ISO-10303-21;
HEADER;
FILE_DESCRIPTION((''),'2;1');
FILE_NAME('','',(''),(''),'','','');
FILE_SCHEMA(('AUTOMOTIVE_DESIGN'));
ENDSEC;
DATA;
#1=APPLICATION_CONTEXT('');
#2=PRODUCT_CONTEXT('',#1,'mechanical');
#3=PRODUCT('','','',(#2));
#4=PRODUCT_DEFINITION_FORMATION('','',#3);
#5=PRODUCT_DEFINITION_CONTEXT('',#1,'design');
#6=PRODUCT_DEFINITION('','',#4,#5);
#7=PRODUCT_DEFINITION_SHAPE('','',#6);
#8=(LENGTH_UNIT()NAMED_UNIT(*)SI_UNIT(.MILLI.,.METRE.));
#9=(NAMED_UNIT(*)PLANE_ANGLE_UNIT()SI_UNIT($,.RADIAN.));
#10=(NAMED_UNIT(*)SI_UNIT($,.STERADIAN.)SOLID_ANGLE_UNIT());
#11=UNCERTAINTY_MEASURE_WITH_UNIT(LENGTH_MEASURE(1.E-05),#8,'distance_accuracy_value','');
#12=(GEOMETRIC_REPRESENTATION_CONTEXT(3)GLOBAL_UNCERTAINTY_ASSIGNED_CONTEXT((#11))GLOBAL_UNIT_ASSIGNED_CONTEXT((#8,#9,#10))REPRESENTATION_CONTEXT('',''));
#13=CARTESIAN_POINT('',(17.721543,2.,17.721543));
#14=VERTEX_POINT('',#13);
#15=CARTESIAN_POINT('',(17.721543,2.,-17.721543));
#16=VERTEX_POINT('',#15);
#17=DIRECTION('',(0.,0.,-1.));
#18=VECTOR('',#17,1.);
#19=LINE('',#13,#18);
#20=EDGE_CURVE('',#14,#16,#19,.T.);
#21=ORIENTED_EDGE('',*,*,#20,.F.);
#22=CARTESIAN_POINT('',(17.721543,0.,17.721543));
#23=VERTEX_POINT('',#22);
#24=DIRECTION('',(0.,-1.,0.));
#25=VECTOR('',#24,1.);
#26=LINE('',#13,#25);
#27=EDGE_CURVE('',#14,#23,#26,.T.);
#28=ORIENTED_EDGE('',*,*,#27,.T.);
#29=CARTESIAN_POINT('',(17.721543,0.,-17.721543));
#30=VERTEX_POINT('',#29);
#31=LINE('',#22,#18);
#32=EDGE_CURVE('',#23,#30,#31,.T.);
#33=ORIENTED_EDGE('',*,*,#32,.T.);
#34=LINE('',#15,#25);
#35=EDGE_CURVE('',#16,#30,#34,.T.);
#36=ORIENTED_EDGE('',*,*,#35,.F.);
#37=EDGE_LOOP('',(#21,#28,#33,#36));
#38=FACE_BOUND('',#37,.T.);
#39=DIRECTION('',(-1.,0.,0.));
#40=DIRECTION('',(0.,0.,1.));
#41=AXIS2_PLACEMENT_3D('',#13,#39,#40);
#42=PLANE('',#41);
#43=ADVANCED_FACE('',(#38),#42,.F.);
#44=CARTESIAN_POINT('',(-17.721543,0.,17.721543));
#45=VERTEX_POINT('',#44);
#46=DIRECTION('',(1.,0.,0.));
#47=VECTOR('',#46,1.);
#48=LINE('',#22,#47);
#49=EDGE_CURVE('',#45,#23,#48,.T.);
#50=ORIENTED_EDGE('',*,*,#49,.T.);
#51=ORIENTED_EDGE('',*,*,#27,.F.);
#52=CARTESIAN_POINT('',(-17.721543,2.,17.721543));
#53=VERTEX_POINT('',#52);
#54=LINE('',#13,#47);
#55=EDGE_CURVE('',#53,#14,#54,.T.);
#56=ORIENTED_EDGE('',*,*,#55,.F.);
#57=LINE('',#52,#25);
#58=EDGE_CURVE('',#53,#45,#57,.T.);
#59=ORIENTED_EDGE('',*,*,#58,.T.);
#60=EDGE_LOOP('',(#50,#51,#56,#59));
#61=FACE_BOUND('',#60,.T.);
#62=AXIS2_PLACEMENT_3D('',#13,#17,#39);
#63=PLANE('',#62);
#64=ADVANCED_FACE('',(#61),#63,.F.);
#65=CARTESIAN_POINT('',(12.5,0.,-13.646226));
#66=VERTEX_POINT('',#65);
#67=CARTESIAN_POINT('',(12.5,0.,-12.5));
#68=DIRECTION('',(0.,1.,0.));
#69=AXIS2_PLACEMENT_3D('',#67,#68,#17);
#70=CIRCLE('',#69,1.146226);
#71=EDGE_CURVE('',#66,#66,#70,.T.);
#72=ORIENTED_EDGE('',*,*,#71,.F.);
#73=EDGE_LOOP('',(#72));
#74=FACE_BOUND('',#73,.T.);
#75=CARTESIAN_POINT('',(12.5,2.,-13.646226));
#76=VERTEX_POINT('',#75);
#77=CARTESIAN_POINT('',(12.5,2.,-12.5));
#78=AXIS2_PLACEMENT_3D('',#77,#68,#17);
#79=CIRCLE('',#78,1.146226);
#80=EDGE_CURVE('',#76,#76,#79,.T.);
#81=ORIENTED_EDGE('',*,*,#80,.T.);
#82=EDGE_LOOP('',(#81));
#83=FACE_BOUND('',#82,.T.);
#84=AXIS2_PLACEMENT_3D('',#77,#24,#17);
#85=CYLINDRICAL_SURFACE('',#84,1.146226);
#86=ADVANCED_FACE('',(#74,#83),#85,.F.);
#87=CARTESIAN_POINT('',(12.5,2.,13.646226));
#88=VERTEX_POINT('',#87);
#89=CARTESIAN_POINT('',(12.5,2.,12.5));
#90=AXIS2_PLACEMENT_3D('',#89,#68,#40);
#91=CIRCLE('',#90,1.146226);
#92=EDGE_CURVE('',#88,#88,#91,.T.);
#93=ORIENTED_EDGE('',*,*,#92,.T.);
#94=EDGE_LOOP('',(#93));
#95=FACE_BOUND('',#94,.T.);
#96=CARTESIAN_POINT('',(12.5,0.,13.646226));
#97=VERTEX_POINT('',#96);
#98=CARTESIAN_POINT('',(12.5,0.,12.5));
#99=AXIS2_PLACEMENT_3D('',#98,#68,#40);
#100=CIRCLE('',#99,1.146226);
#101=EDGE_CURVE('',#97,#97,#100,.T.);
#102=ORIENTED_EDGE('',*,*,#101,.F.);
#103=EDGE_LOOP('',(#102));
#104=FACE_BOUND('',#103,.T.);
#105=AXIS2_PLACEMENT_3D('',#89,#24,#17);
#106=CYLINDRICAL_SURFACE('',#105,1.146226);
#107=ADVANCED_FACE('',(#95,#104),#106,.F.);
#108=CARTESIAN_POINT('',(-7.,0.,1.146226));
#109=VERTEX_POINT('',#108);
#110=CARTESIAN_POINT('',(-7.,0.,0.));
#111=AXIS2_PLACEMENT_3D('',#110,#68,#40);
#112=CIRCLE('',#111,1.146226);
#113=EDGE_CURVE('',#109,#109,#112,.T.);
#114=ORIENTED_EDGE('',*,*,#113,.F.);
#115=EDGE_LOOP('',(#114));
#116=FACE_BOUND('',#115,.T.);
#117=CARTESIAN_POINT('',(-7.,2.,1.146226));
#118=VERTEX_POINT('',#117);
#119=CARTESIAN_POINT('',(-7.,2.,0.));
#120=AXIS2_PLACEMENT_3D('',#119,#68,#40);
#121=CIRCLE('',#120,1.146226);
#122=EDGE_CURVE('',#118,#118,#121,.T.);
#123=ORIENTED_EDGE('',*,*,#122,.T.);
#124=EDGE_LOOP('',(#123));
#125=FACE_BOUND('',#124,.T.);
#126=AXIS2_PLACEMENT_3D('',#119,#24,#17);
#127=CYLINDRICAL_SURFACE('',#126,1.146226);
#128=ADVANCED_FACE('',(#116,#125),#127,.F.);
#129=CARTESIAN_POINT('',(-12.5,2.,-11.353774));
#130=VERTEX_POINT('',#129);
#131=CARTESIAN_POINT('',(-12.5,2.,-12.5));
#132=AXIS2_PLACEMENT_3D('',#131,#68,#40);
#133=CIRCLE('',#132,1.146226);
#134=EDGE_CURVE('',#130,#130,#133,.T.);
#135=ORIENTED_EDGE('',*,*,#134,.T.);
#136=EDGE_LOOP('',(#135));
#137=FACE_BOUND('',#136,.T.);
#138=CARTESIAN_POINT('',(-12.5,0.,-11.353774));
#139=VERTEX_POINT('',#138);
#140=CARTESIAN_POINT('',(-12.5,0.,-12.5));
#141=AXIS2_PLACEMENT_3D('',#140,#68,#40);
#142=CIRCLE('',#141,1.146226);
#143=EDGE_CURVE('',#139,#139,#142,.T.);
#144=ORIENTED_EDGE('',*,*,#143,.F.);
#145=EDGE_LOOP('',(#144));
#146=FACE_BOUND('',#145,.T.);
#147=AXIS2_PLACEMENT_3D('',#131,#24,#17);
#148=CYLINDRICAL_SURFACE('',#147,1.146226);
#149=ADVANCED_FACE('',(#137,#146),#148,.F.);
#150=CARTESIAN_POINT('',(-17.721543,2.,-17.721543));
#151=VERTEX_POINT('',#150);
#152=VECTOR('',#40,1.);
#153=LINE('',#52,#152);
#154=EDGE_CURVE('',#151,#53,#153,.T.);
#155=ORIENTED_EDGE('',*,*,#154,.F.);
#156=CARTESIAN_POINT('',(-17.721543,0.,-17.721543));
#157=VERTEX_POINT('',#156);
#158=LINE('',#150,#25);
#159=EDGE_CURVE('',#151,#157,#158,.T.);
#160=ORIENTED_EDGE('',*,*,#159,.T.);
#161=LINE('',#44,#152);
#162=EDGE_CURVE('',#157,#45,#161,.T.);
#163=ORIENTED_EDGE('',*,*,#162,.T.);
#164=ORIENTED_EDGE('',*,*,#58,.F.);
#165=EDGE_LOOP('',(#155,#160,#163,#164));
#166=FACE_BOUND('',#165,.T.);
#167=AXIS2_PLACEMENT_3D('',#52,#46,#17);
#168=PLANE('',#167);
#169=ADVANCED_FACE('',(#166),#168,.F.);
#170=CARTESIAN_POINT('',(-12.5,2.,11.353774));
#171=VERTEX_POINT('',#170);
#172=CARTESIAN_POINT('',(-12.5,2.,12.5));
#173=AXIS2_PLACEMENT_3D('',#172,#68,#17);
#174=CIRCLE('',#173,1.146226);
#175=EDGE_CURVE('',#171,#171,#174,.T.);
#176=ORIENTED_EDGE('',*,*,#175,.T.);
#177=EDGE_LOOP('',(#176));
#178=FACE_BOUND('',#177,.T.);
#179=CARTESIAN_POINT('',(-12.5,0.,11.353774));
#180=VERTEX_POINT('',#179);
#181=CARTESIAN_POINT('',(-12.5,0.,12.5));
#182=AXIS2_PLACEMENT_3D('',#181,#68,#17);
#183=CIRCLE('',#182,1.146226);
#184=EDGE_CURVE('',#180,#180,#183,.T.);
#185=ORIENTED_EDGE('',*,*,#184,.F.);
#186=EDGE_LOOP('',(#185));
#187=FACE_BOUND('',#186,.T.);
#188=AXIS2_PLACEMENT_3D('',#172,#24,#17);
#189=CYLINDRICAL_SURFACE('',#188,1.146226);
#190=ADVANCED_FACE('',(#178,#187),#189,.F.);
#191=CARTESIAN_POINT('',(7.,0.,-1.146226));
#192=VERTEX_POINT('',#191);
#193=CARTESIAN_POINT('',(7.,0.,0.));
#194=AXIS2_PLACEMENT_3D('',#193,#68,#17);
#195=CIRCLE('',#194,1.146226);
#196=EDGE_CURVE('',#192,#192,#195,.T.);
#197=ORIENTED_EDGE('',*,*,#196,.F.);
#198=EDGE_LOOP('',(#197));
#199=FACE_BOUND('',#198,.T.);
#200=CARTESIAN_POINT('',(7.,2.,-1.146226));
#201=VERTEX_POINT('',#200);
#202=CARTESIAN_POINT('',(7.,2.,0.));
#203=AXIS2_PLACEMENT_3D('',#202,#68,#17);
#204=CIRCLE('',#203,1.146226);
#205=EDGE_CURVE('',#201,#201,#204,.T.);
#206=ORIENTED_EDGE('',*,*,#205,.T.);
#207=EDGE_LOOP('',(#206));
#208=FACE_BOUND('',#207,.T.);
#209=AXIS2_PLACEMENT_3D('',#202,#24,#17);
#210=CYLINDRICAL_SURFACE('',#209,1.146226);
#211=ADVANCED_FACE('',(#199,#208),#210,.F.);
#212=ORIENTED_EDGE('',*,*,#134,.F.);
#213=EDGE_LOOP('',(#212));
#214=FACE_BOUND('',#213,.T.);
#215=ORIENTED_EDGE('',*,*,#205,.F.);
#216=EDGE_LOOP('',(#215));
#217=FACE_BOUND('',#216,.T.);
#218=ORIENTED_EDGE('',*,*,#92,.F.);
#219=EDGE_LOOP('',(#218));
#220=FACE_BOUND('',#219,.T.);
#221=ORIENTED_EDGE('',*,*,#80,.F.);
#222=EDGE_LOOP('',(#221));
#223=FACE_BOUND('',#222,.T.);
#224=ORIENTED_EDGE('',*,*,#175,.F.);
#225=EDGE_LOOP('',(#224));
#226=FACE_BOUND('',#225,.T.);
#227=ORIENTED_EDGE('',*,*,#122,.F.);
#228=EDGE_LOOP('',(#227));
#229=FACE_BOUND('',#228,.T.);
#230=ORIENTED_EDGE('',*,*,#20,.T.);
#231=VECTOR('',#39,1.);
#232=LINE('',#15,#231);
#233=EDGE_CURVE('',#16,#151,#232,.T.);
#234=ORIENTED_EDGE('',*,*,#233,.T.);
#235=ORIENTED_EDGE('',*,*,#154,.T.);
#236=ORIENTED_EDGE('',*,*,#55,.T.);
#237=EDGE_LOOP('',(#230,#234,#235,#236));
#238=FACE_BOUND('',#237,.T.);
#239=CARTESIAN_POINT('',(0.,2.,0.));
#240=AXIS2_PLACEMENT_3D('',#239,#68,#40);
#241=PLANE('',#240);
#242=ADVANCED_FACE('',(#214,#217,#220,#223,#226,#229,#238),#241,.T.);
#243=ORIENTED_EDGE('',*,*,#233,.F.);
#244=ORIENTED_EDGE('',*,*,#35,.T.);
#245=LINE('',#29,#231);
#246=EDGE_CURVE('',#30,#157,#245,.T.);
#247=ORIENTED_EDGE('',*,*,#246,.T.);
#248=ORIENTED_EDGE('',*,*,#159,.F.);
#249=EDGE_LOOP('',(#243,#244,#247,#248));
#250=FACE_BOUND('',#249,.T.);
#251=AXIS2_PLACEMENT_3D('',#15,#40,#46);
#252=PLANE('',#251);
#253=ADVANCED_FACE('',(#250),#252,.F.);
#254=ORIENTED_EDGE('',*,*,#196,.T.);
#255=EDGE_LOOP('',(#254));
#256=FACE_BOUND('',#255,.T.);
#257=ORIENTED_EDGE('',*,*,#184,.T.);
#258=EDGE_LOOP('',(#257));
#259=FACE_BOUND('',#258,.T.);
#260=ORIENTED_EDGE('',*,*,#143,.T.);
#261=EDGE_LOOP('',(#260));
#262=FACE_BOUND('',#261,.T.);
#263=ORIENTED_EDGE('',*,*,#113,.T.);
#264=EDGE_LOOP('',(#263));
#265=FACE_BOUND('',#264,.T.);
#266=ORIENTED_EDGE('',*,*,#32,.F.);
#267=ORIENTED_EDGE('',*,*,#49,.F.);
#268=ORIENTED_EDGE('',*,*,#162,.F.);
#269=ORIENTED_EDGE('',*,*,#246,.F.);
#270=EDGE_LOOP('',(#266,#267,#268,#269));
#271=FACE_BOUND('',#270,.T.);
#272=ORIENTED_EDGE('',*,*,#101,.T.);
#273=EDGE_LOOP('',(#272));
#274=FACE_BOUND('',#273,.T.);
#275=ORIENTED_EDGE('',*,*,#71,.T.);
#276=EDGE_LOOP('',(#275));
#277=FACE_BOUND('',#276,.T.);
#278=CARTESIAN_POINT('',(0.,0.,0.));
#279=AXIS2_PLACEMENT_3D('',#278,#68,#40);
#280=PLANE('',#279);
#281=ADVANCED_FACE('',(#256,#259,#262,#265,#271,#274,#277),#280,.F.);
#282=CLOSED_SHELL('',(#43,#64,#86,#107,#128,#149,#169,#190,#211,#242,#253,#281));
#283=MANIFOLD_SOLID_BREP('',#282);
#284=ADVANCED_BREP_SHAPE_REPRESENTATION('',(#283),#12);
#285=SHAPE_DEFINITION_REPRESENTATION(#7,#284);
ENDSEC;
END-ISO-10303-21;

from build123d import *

# Parameters (mm, degrees)
SKETCH1_W           = 35.443085122
SKETCH1_H           = 35.443085122
SKETCH1_R           = 1.146225587
BOSS_EXTRUDE1_DEPTH = 2


with BuildPart() as part:
    # Sketch1 → Boss-Extrude1 (new body)
    with BuildSketch(Plane(origin=(0, 0, 0), x_dir=(1, 0, 0), z_dir=(0, 1, 0))):
        Rectangle(SKETCH1_W, SKETCH1_H)
        with Locations(Location((-12.5, 12.5, 0), (0, 0, 270))):
            Circle(SKETCH1_R, mode=Mode.SUBTRACT)
        with Locations(Location((12.5, 12.5, 0), (0, 0, 90))):
            Circle(SKETCH1_R, mode=Mode.SUBTRACT)
        with Locations(Location((12.5, -12.5, 0), (0, 0, 270))):
            Circle(SKETCH1_R, mode=Mode.SUBTRACT)
        with Locations(Location((-12.5, -12.5, 0), (0, 0, 90))):
            Circle(SKETCH1_R, mode=Mode.SUBTRACT)
        with Locations(Location((-7, 0, 0), (0, 0, 270))):
            Circle(SKETCH1_R, mode=Mode.SUBTRACT)
        with Locations(Location((7, 0, 0), (0, 0, 90))):
            Circle(SKETCH1_R, mode=Mode.SUBTRACT)
    extrude(amount=BOSS_EXTRUDE1_DEPTH)


solid = part.part
